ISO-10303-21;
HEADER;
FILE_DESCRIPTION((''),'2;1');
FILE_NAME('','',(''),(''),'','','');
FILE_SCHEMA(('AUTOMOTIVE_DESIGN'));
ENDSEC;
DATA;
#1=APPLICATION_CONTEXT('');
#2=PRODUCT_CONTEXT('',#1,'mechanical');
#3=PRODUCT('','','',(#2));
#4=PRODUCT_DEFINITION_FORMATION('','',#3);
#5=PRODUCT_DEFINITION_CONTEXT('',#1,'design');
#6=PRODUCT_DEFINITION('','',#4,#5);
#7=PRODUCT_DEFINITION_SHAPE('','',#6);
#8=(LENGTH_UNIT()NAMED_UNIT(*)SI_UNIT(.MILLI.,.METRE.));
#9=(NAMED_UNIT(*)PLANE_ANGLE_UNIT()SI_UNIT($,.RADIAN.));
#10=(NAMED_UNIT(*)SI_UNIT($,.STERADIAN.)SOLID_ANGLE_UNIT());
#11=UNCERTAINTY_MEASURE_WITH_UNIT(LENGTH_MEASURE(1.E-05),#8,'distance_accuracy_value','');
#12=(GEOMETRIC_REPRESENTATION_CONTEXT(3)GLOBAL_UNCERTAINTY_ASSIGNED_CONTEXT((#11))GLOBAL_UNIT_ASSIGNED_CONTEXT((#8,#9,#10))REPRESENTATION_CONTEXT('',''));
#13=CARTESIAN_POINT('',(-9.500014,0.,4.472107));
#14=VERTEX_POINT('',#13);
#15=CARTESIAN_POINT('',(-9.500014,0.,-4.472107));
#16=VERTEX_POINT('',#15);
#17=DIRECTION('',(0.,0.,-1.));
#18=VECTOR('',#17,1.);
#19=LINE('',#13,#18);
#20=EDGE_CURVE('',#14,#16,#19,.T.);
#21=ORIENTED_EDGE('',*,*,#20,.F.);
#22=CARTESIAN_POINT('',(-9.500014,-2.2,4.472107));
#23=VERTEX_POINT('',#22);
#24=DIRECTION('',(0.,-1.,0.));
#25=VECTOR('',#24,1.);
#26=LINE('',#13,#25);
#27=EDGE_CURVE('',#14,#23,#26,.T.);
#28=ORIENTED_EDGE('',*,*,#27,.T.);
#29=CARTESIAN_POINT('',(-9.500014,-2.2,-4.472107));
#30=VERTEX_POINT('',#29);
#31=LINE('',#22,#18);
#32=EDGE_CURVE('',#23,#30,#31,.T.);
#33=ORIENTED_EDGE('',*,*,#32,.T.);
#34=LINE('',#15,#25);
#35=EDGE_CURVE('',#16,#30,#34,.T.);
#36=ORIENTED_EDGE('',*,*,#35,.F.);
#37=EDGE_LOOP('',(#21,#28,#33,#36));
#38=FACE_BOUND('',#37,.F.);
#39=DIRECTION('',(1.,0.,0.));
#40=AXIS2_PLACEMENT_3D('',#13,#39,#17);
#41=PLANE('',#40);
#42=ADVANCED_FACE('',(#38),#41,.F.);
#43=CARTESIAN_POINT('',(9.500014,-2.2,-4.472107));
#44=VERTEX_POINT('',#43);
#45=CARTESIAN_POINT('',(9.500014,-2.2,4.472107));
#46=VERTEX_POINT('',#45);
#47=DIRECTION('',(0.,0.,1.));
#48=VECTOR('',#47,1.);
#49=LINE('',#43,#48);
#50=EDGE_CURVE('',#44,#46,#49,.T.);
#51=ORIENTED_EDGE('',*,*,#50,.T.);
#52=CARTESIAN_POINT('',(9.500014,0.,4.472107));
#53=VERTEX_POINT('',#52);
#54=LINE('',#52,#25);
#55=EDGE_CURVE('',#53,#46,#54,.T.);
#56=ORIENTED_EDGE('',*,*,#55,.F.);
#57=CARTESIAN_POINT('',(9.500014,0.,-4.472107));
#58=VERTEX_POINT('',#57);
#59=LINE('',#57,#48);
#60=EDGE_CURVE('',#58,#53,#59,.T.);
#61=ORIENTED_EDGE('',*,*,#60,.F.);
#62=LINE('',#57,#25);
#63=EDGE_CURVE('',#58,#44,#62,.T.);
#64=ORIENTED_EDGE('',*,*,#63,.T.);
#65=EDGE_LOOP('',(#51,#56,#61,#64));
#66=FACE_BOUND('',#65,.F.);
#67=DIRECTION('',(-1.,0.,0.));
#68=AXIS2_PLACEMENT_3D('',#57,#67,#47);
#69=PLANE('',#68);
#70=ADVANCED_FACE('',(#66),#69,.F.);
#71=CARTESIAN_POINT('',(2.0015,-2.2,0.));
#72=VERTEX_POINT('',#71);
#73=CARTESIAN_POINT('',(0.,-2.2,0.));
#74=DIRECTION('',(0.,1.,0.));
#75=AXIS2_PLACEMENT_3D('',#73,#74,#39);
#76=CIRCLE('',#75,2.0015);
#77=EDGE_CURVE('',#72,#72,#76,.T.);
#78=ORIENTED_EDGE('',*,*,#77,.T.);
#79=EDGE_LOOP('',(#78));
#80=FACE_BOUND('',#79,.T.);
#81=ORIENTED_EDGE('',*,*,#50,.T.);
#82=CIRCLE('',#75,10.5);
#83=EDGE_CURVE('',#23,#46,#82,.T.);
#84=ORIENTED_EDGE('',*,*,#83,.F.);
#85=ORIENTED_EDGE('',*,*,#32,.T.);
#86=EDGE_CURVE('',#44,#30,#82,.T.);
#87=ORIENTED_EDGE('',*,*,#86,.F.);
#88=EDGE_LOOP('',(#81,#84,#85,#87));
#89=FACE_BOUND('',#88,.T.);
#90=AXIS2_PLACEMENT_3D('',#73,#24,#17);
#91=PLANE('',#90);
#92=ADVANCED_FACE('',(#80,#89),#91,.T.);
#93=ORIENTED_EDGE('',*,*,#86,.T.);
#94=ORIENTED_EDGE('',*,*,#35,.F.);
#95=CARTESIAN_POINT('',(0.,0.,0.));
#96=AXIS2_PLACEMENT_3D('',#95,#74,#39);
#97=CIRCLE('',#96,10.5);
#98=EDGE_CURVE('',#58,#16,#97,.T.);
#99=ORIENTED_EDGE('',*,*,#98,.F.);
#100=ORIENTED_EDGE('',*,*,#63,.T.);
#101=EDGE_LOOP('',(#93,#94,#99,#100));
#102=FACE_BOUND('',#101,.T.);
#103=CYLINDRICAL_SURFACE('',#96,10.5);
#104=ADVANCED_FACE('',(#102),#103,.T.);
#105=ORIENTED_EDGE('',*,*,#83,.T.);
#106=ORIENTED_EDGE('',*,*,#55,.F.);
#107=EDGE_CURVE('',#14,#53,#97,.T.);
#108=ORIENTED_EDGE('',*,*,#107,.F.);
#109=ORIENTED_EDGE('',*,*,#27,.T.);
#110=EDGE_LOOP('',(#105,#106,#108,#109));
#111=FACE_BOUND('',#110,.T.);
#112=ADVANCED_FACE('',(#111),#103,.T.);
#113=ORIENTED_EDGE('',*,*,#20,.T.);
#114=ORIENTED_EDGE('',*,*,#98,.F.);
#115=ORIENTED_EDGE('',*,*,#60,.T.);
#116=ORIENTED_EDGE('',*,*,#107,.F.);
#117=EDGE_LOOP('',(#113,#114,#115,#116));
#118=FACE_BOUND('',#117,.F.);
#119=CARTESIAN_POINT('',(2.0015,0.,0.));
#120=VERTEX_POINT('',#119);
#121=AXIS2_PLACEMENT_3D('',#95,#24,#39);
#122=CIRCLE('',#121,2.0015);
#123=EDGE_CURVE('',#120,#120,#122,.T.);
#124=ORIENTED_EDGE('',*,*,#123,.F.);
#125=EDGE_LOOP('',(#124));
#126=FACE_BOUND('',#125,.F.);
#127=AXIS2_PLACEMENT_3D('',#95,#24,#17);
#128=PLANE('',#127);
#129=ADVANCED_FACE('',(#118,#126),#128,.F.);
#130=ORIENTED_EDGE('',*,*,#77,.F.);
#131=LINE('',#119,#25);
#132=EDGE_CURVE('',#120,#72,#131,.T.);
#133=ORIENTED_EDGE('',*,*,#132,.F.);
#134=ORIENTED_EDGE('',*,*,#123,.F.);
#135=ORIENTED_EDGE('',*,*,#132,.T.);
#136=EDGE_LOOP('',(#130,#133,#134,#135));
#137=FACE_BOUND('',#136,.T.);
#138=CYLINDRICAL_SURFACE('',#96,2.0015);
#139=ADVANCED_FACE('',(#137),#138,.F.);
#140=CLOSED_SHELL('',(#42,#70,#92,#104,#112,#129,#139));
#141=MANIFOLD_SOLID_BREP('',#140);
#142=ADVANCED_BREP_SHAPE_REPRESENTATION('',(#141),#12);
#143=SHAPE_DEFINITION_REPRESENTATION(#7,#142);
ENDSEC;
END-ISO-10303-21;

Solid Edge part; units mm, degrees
sketch "Sketch1" plane through (0, 0, 0) normal (0, -1, 0) x (1, 0, 0)
  line L0 (9.5, -4.4721) -> (9.5, 4.4721)
  arc A0 (9.5, -4.4721) -> (-9.5, -4.4721) centre (0, 0) cw
  line L1 (-9.5, 4.4721) -> (-9.5, -4.4721)
  arc A1 (-9.5, 4.4721) -> (9.5, 4.4721) centre (0, 0) cw
extrude "Protrusion1" add sketch "Sketch1" along normal blind 2.2
sketch "Sketch2" plane through (0, 0, 0) normal (0, -1, 0) x (1, 0, 0)
  circle A0 centre (0, 0) radius 2.0015
extrude "ScavoEstrusione_2" cut sketch "Sketch2" along normal blind 30.5561
